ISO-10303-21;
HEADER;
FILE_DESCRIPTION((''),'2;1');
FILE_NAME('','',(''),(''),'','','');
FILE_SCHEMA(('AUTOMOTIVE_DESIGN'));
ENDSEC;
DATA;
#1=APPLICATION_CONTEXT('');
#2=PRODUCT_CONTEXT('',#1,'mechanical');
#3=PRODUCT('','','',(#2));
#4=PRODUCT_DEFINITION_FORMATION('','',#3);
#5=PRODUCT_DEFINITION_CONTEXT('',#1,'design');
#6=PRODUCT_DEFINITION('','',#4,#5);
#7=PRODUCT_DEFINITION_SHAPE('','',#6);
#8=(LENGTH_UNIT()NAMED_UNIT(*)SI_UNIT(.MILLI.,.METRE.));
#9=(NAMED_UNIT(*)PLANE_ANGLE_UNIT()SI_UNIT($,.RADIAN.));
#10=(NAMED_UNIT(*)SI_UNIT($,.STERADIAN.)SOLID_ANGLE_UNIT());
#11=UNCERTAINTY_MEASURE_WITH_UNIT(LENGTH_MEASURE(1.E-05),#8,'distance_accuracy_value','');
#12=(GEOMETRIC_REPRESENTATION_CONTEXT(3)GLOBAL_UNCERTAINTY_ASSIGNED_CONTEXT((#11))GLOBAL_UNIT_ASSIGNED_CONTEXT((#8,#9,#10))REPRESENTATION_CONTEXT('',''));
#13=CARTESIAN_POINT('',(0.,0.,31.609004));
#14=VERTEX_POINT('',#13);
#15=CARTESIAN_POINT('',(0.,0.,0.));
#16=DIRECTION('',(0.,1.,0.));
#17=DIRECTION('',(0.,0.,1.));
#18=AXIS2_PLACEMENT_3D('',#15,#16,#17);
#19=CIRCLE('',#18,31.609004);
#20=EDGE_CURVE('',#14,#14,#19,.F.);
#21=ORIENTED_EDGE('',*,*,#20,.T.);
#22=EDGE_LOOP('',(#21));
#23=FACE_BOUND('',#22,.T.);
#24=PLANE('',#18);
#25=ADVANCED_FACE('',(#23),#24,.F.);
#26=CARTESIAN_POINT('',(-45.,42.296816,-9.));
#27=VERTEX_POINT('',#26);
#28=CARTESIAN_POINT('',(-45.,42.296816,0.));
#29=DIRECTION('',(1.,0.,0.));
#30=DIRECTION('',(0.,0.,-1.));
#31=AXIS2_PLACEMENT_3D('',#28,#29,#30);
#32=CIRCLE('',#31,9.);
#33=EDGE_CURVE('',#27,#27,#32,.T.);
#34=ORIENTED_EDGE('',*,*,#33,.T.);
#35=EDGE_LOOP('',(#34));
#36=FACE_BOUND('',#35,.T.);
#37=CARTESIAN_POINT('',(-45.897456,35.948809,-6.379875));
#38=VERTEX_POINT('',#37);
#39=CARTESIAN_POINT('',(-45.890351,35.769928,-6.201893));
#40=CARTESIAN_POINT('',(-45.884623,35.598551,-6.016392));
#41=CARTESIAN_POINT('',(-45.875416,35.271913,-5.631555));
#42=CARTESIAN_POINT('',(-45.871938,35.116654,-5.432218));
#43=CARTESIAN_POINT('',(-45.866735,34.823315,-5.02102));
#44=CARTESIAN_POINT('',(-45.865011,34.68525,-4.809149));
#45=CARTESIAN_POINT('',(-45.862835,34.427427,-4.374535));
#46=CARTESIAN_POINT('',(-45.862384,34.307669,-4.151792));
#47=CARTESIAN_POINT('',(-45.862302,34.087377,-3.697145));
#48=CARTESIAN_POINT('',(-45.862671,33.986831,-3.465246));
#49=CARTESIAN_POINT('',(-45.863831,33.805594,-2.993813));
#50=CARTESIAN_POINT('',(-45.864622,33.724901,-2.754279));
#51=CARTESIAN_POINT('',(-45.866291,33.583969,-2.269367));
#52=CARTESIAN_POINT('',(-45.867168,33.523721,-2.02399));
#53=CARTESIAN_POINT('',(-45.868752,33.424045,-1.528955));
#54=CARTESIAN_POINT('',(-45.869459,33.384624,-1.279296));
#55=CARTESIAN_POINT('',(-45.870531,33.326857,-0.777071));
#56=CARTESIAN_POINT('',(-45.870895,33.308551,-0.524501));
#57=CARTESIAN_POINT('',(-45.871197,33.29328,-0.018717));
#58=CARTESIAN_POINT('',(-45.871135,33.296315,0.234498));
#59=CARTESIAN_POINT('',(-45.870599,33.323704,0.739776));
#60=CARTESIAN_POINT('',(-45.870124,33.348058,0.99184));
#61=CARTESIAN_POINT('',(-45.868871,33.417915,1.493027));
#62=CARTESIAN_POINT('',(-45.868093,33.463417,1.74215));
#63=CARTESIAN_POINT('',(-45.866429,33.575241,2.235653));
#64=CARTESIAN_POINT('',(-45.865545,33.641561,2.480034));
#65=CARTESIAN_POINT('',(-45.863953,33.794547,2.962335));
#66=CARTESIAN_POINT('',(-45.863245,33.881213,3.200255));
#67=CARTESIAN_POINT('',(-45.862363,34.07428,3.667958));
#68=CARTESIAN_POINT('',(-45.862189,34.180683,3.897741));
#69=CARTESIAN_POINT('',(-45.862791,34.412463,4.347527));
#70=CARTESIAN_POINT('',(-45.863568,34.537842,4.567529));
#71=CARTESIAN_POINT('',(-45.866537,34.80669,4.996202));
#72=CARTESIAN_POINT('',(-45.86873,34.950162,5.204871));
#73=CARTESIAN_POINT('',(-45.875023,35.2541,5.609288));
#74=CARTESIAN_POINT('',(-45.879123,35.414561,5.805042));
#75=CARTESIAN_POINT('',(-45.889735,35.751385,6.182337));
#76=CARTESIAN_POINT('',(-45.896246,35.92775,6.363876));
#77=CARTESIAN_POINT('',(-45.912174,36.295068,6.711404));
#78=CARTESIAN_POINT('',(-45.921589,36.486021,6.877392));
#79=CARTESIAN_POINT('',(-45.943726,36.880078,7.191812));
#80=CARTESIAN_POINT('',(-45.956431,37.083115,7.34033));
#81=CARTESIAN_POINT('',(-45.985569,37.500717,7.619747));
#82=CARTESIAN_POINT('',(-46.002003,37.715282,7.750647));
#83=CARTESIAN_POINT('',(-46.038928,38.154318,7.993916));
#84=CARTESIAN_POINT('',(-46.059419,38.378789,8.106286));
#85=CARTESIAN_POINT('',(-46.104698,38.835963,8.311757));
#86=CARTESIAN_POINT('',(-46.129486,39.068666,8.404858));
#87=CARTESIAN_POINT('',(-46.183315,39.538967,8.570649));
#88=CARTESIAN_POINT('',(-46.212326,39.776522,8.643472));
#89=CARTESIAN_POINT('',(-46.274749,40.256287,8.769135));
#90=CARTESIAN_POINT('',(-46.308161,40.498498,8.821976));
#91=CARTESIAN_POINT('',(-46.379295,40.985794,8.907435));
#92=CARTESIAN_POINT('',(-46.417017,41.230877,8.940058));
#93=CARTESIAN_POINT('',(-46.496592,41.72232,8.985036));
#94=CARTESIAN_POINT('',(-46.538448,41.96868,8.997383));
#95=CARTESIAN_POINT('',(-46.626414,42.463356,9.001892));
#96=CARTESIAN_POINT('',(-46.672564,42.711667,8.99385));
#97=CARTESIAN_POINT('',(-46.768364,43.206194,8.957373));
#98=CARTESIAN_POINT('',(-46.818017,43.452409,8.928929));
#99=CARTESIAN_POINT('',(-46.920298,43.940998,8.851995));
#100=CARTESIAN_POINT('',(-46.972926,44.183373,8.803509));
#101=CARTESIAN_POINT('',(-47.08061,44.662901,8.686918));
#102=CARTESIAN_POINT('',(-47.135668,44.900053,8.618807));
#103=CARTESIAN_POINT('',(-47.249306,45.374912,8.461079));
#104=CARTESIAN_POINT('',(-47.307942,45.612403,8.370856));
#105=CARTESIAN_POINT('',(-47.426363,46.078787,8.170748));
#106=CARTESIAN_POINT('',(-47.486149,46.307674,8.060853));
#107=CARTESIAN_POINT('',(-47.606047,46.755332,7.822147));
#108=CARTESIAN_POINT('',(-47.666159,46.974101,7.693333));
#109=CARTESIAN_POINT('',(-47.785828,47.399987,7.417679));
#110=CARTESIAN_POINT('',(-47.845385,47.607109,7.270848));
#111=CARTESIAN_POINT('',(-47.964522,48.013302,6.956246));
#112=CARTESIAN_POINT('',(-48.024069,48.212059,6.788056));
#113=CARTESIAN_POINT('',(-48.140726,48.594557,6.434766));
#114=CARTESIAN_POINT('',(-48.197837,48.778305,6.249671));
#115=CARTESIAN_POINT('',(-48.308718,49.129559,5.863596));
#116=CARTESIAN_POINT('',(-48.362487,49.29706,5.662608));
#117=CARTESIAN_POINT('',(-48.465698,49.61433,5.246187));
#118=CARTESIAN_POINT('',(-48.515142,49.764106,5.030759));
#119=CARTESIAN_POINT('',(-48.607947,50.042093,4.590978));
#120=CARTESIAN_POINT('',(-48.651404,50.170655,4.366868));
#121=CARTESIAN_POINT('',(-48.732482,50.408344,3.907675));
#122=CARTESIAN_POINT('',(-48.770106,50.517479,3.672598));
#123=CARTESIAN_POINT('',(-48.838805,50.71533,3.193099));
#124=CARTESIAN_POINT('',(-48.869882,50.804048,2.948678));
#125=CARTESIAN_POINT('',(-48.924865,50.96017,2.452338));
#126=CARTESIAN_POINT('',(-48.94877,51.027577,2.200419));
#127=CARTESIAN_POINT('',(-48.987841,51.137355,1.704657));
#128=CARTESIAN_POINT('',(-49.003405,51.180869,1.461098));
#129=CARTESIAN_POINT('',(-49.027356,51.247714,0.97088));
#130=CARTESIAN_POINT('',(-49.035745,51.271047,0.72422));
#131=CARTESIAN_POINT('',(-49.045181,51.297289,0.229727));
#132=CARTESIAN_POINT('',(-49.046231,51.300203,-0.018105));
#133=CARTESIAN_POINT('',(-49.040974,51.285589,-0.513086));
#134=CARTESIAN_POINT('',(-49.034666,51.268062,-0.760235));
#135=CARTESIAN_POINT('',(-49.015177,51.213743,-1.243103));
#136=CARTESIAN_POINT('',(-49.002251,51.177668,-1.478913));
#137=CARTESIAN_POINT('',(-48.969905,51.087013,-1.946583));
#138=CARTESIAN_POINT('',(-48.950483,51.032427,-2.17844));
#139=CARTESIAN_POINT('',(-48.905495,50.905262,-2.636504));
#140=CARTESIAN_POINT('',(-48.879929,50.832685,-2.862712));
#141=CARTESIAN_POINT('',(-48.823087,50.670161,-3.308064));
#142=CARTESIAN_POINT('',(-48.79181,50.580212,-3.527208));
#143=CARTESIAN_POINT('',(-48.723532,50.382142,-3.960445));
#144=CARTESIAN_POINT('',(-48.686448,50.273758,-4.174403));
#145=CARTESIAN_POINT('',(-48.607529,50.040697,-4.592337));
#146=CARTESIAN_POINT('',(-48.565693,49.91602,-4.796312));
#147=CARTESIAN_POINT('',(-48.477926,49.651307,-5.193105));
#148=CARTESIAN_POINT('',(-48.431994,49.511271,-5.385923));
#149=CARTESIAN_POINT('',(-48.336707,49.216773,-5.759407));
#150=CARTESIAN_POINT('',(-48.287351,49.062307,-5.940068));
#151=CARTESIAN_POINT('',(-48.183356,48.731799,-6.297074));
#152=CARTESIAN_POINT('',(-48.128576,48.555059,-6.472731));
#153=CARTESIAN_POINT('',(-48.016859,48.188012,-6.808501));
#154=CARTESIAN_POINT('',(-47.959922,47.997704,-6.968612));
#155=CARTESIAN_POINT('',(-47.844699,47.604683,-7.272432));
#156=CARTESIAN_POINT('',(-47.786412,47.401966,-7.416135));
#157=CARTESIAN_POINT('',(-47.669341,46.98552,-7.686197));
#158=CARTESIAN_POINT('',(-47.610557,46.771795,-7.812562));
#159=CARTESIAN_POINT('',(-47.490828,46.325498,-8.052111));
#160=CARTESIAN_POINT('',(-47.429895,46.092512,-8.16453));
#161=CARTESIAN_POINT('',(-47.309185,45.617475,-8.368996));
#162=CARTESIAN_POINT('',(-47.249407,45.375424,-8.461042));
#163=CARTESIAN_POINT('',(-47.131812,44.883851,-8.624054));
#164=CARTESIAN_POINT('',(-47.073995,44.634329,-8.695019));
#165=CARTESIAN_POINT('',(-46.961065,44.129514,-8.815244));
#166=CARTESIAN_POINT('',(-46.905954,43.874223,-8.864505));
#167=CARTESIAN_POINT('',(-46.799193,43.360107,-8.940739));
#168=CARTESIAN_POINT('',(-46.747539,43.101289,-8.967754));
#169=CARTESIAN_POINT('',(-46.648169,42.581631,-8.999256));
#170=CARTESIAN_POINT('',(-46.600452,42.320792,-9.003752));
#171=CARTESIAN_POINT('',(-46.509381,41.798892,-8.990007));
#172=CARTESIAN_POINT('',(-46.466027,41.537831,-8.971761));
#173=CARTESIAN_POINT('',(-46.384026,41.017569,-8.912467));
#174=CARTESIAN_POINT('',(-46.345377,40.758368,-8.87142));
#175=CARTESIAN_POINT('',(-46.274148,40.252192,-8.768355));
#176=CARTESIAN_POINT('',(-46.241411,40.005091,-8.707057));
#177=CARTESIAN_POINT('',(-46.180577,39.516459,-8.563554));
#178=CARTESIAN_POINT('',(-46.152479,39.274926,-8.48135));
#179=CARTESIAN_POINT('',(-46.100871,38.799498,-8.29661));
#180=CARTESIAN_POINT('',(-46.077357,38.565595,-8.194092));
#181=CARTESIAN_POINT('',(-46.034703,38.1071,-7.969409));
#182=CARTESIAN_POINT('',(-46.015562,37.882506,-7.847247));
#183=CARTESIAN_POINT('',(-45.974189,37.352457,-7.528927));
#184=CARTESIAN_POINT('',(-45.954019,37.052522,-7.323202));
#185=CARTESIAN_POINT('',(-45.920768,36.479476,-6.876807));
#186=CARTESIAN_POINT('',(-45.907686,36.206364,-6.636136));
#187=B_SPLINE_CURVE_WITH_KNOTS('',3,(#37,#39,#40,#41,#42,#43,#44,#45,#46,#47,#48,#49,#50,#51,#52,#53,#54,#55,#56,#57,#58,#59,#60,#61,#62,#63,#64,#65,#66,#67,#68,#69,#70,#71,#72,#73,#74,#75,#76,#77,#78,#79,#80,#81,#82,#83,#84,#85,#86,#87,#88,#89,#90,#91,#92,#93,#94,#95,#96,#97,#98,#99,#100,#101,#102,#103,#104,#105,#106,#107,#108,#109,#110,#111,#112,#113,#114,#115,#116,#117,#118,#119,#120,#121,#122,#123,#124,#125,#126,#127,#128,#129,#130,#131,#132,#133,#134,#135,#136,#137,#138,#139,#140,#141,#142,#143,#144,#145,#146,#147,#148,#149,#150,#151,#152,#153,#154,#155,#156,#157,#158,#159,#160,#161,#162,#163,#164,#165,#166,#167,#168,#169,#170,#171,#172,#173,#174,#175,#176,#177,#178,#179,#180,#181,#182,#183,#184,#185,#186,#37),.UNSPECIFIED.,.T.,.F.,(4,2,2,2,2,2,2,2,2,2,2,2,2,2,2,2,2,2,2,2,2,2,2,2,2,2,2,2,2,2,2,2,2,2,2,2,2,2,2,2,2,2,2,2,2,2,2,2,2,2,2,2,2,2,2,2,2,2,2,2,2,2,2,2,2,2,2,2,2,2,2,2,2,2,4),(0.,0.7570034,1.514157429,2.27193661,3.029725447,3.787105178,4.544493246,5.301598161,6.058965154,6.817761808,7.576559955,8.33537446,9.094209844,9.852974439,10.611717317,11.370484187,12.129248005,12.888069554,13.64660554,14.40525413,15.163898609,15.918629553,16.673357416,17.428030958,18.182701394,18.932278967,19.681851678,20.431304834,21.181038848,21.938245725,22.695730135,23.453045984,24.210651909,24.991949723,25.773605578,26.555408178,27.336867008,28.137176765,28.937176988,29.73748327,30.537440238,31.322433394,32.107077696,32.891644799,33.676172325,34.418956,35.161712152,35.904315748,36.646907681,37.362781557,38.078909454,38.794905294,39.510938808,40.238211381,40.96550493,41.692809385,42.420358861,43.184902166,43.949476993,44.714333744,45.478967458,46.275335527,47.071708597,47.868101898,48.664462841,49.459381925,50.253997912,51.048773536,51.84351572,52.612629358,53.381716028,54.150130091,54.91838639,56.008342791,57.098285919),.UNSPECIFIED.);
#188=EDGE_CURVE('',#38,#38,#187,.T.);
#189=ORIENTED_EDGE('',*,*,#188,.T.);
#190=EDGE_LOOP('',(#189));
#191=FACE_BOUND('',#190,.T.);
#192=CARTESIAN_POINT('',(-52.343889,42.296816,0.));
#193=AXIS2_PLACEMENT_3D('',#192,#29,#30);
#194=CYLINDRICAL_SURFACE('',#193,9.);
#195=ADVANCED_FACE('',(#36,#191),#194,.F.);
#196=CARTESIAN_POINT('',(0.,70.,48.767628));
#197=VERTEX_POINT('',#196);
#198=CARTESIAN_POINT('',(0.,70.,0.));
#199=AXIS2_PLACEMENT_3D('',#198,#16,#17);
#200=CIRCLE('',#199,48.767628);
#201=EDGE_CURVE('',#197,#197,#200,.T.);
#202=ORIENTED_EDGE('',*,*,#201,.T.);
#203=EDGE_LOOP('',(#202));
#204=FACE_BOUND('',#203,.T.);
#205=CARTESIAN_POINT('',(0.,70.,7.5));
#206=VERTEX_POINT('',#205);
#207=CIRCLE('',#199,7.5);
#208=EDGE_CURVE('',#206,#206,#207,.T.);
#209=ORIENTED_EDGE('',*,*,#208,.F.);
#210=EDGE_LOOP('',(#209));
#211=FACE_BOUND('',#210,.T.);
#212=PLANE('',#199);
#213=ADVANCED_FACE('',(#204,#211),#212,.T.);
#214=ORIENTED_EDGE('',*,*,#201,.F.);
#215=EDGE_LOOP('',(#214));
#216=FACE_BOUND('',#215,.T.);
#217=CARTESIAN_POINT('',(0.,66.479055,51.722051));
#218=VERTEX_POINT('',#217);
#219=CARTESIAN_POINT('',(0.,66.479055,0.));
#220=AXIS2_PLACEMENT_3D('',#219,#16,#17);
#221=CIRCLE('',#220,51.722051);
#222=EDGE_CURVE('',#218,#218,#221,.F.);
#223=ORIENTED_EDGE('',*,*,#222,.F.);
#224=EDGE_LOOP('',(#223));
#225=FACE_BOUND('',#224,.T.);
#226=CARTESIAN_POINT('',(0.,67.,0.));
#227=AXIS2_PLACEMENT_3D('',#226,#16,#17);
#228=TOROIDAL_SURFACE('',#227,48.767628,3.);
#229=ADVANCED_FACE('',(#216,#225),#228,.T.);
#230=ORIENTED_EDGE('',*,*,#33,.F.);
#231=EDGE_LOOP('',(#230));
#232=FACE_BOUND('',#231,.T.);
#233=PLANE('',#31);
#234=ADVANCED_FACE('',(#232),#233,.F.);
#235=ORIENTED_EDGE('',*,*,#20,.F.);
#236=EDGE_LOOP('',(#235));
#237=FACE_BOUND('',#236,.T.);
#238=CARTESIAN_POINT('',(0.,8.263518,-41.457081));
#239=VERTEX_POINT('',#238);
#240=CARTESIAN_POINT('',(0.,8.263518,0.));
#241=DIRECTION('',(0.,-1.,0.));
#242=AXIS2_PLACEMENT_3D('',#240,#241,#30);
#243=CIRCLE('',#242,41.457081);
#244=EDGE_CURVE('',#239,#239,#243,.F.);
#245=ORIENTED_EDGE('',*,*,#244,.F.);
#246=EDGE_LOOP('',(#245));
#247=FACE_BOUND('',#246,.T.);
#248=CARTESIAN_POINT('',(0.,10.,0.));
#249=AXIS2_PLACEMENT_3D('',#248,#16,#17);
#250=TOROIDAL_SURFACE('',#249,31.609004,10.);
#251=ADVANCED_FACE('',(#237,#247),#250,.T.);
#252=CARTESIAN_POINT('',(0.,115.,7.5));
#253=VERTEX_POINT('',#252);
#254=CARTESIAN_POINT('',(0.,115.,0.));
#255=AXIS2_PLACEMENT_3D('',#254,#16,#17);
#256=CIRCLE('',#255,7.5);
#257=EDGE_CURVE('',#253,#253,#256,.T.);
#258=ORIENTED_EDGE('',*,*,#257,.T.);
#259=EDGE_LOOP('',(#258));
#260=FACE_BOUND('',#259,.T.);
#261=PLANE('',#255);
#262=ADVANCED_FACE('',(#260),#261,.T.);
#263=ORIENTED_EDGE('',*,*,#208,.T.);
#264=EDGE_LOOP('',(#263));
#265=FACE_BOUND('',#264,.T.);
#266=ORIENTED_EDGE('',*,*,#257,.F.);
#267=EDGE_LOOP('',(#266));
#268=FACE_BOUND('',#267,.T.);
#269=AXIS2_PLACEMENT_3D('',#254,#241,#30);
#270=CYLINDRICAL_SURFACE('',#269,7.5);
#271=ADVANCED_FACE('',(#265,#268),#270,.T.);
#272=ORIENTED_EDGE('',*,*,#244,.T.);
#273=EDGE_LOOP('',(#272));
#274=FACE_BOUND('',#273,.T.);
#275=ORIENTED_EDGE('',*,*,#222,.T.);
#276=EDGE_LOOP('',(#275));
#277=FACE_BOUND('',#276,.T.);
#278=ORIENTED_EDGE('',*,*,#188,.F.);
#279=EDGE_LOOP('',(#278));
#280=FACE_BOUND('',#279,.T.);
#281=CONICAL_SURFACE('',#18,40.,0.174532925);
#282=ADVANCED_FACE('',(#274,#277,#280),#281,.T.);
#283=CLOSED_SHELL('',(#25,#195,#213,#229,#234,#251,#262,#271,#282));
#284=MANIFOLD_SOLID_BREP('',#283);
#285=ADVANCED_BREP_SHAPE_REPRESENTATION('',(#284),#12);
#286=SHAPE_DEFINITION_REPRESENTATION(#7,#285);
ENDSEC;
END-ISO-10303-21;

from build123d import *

# Parameters (mm, degrees)
SKETCH1_R           = 40
BOSS_EXTRUDE1_DEPTH = 70
BOSS_EXTRUDE1_TAPER = -10
CUT_EXTRUDE1_REACH  = 99.343
CUT_EXTRUDE1_START  = -45
SKETCH2_R           = 9
SKETCH3_R           = 7.5
BOSS_EXTRUDE2_DEPTH = 45
FILLET1_R           = 10
FILLET2_R           = 3


with BuildPart() as part:
    # Sketch1 → Boss-Extrude1 (new body)
    with BuildSketch(Plane(origin=(0, 0, 0), x_dir=(1, 0, 0), z_dir=(0, 1, 0))):
        Circle(SKETCH1_R)
    extrude(amount=BOSS_EXTRUDE1_DEPTH, taper=BOSS_EXTRUDE1_TAPER)

    # Sketch2 → Cut-Extrude1 (cut, up to next)
    with BuildSketch(Plane(origin=(0, 0, 0), x_dir=(0, 0, -1), z_dir=(1, 0, 0)).offset(CUT_EXTRUDE1_START), mode=Mode.PRIVATE) as cut_extrude1_sk1:
        with Locations((0, 42.296816006)):
            Circle(SKETCH2_R)
    cut_extrude1_tool1 = extrude(cut_extrude1_sk1.sketch, amount=-CUT_EXTRUDE1_REACH, mode=Mode.PRIVATE) & part.part
    add(cut_extrude1_tool1.solids().sort_by_distance((-45, 42.296816, 0))[0], mode=Mode.SUBTRACT)

    # Sketch3 → Boss-Extrude2 (add)
    with BuildSketch(Plane(origin=(0, 70, 0), x_dir=(1, 0, 0), z_dir=(0, 1, 0))):
        Circle(SKETCH3_R)
    extrude(amount=BOSS_EXTRUDE2_DEPTH)

    # Fillet1
    fillet1_edges = [part.edges().sort_by_distance(p)[0] for p in [
        (-40, 0, 0),
    ]]
    fillet(fillet1_edges, radius=FILLET1_R)

    # Fillet2
    fillet2_edges = [part.edges().sort_by_distance(p)[0] for p in [
        (-52.34288865, 70, 0),
    ]]
    fillet(fillet2_edges, radius=FILLET2_R)


solid = part.part
